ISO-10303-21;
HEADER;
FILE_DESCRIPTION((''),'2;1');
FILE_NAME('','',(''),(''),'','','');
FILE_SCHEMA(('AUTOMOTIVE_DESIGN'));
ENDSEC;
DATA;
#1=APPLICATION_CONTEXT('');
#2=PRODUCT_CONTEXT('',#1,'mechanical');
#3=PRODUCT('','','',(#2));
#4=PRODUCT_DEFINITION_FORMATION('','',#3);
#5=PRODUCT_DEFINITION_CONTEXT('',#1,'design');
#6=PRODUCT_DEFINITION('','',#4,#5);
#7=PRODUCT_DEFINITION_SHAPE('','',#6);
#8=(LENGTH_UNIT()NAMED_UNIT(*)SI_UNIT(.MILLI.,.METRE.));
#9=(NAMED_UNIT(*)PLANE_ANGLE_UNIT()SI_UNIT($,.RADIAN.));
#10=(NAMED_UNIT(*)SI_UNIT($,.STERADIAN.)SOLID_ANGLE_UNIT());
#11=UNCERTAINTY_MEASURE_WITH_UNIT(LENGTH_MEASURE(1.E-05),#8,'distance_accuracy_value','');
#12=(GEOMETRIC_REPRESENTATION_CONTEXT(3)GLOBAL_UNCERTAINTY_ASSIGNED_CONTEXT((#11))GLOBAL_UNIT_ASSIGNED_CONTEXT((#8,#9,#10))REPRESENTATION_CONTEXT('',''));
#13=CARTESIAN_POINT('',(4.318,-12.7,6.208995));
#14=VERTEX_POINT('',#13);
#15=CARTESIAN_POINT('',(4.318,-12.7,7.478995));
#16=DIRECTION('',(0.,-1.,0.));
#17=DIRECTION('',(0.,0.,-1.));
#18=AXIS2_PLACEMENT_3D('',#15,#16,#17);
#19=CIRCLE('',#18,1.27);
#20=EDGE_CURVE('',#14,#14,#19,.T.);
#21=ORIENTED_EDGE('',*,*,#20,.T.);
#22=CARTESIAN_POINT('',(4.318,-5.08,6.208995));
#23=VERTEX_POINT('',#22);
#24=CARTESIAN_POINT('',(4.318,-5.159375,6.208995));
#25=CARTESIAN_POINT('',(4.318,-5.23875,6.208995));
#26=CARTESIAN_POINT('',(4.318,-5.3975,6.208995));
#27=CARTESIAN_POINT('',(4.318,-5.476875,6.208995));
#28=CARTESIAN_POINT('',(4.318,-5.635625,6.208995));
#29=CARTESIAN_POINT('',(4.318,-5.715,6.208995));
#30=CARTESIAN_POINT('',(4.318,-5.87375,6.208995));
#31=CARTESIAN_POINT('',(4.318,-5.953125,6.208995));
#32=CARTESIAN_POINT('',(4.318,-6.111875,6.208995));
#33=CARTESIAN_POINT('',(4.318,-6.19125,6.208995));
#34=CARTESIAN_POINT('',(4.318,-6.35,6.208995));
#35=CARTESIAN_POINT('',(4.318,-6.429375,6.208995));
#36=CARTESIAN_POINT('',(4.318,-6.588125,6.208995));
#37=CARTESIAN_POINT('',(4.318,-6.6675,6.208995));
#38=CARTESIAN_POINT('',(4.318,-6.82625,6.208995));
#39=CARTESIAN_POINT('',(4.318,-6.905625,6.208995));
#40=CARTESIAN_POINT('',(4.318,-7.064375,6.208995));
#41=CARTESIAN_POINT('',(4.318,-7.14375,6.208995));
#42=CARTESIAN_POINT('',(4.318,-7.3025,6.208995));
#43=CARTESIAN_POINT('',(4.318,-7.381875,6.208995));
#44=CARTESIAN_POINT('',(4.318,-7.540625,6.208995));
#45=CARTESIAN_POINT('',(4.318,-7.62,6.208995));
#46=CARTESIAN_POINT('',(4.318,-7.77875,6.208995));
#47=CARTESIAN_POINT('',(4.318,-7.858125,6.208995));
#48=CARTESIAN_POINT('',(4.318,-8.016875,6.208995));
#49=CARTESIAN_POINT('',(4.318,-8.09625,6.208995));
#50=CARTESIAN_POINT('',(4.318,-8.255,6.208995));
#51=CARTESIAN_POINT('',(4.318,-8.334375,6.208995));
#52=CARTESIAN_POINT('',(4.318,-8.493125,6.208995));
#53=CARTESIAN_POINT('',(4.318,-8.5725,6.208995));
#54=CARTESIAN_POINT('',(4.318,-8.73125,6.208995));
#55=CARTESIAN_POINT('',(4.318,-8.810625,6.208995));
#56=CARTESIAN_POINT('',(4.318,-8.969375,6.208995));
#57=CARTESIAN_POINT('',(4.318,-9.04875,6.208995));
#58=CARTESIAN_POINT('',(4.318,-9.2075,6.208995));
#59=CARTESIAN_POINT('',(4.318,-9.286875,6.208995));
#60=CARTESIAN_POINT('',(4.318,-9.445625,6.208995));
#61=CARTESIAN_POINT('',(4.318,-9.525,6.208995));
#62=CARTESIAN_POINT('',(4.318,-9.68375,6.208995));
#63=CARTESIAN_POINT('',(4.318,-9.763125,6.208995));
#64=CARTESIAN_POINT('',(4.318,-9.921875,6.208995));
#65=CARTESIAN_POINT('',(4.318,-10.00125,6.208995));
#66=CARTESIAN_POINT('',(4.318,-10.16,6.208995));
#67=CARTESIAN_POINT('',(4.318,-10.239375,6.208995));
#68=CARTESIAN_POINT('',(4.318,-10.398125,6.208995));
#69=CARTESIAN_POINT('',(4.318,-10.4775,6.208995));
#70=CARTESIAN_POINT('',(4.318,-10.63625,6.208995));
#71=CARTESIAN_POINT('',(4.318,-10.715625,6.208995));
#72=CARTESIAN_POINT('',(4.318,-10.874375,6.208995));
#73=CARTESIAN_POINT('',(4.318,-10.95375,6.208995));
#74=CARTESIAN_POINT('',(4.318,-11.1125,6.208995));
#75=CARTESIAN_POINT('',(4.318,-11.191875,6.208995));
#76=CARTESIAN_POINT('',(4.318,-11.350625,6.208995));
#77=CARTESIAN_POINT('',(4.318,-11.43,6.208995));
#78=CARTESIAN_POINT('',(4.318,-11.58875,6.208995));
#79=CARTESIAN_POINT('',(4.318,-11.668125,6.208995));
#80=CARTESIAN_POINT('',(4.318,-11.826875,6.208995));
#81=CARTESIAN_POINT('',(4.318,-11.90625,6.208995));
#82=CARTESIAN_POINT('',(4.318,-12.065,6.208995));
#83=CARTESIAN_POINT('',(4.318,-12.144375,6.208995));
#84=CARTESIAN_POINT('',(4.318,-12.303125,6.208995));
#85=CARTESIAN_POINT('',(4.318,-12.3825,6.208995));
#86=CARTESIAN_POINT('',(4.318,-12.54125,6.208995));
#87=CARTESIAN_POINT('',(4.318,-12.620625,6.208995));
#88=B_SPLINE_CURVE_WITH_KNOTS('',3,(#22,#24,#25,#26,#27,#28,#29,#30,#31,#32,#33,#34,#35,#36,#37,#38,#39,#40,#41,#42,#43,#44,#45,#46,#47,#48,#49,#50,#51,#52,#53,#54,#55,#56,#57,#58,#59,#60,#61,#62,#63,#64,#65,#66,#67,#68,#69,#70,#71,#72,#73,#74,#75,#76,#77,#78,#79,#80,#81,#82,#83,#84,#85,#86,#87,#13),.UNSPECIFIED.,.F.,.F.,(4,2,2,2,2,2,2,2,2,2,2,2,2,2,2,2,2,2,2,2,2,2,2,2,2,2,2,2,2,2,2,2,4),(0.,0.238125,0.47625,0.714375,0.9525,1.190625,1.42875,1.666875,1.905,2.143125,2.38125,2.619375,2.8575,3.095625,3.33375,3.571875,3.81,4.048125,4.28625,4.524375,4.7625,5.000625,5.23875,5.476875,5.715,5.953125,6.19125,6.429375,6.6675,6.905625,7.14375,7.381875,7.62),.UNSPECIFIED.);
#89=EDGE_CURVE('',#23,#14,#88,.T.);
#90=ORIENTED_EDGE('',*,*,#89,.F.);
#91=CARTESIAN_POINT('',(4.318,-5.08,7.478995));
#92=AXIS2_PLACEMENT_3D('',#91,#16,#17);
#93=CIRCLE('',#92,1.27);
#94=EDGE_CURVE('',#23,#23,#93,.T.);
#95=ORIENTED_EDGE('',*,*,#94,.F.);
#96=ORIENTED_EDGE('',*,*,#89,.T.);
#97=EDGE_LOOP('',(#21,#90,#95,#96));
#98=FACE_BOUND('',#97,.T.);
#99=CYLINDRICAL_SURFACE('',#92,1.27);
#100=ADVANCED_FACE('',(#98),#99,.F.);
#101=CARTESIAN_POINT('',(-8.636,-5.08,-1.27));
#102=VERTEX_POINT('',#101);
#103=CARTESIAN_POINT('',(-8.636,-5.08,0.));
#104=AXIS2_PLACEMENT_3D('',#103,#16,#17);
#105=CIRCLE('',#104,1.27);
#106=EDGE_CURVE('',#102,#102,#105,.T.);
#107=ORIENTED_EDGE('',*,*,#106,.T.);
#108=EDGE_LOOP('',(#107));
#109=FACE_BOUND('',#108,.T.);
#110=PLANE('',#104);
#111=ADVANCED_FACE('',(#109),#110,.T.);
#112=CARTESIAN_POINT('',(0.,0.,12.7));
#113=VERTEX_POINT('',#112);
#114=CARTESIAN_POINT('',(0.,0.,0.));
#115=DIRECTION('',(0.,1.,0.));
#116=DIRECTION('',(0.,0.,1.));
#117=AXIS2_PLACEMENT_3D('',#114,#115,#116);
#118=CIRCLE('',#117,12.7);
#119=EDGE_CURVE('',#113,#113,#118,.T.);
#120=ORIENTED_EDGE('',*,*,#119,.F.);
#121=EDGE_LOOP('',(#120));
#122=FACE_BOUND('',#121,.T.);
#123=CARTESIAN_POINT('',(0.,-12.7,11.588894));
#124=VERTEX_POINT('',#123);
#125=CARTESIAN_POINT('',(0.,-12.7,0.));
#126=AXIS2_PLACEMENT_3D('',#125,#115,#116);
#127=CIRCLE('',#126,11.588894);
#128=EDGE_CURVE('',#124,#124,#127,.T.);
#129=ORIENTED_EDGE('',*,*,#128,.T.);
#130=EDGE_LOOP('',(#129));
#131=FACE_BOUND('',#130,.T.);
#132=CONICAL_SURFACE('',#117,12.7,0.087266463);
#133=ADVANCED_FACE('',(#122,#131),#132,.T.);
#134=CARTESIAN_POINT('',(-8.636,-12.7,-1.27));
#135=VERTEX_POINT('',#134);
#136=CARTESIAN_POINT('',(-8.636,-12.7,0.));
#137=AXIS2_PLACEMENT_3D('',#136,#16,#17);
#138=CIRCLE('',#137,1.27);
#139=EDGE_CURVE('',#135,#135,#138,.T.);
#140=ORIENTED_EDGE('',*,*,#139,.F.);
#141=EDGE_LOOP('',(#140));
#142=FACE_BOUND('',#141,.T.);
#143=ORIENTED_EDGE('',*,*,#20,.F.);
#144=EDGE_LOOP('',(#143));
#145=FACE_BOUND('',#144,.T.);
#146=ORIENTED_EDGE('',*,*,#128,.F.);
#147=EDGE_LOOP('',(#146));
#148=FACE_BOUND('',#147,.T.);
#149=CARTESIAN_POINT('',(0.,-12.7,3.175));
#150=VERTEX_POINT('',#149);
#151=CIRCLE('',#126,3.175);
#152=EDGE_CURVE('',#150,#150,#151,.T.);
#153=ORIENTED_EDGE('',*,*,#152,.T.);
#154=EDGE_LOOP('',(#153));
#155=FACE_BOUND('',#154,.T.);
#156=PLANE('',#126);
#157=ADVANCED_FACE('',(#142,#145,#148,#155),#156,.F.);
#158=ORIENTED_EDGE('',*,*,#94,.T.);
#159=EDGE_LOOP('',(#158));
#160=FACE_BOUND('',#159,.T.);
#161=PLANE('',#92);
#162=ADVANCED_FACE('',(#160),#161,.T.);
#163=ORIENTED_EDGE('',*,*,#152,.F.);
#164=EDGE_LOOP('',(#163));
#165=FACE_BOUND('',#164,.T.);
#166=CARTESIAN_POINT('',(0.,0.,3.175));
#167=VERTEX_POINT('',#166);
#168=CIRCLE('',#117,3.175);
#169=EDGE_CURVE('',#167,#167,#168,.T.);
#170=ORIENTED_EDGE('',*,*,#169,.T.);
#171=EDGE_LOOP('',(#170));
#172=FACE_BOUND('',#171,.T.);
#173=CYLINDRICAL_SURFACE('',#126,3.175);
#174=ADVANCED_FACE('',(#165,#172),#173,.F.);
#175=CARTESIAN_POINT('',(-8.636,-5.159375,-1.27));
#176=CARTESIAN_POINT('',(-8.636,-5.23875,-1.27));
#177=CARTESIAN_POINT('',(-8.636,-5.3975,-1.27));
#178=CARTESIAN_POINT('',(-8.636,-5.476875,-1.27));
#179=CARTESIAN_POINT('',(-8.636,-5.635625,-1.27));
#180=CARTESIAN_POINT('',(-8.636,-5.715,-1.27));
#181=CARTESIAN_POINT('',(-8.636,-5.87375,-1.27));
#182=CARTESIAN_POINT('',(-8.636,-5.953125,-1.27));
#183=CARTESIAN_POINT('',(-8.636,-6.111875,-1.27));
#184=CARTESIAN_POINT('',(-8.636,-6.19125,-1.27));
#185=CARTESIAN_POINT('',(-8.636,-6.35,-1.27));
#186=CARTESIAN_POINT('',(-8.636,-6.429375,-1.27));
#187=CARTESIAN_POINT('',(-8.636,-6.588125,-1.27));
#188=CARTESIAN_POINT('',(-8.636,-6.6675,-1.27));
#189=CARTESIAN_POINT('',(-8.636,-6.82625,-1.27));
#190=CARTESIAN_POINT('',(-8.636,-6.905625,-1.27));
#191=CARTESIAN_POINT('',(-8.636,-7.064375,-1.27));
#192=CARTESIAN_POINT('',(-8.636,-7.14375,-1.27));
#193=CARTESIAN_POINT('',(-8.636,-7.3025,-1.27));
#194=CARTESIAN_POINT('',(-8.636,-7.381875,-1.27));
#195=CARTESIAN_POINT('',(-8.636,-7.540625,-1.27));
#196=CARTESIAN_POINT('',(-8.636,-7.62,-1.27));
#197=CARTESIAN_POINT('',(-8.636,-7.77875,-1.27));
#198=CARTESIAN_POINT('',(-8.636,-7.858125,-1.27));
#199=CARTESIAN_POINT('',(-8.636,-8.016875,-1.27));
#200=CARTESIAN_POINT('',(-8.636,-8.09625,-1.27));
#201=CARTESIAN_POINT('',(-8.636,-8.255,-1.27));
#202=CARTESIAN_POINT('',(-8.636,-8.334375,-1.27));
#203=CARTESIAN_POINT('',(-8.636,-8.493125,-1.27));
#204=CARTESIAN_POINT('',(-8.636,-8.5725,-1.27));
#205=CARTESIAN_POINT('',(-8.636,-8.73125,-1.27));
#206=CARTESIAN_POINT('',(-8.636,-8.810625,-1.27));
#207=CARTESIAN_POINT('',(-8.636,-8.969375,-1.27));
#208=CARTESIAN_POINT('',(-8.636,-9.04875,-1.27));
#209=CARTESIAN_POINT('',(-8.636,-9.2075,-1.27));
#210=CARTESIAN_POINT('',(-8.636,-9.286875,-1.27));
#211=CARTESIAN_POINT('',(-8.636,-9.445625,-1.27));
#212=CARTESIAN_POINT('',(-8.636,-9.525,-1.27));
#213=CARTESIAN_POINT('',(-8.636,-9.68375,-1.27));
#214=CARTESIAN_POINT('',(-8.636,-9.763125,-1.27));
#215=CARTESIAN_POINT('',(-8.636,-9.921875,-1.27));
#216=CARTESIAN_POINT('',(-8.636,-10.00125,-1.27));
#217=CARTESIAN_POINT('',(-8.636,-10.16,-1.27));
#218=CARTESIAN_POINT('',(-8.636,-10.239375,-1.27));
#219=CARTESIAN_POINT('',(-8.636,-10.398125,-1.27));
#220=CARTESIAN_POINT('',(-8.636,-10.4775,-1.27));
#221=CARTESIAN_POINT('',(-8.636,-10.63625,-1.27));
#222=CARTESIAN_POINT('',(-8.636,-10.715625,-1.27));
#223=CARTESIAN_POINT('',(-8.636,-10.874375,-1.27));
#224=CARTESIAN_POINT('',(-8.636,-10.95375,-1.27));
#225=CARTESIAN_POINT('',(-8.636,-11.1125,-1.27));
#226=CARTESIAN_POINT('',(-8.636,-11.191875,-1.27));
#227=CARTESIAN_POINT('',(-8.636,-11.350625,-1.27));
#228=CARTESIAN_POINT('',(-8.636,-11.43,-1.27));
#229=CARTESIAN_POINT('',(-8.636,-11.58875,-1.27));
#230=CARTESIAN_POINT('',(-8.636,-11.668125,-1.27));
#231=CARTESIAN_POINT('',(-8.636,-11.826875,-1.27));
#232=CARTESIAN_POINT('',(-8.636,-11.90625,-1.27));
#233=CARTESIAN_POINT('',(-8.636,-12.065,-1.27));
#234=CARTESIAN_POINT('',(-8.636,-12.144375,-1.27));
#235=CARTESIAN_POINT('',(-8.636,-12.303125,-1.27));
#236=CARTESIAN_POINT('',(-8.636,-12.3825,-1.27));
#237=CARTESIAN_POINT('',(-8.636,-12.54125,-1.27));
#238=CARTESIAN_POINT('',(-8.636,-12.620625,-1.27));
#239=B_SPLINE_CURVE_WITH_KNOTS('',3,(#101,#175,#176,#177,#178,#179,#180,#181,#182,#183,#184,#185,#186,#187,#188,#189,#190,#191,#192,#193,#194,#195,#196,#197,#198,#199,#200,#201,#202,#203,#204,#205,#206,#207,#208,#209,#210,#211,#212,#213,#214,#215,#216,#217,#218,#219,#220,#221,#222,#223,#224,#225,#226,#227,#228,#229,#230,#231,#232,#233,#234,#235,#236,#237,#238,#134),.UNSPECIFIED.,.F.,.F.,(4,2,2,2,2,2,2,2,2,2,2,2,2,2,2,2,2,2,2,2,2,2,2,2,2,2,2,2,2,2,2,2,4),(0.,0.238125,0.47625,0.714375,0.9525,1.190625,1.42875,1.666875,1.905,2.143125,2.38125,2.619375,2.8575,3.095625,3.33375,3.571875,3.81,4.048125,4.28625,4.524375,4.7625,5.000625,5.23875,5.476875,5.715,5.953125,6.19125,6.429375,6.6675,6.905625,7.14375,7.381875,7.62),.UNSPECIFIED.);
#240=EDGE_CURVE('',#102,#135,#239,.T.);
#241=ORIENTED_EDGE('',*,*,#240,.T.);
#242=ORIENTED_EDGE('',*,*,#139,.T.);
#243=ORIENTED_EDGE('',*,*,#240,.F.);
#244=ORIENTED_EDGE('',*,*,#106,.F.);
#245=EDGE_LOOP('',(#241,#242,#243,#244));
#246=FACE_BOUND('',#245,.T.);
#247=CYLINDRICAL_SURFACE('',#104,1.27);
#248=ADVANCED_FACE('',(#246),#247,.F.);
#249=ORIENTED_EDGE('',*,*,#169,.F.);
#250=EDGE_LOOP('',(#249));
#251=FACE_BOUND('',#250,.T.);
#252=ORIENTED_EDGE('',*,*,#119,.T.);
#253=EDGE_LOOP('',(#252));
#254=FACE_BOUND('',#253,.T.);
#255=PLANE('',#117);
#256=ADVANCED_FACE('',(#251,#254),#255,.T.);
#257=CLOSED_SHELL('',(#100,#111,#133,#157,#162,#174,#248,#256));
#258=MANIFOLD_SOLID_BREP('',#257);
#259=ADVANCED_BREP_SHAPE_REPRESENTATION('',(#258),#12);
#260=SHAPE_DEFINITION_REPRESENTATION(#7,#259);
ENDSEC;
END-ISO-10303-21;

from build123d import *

# Parameters (mm, degrees)
SKETCH1_R           = 12.7
BOSS_EXTRUDE1_DEPTH = 12.7
BOSS_EXTRUDE1_DRAFT = -5
SKETCH2_R           = 3.175
CUT_EXTRUDE1_DEPTH  = 22.997045256
SKETCH7_R           = 1.27
CUT_EXTRUDE2_DEPTH  = 7.62


with BuildPart() as part:
    # Sketch1 → Boss-Extrude1 (with draft: the straight prism first)
    with BuildSketch(Plane(origin=(0, 0, 0), x_dir=(1, 0, 0), z_dir=(0, 1, 0))):
        Circle(SKETCH1_R)
    extrude(amount=-BOSS_EXTRUDE1_DEPTH)
    # Boss-Extrude1: the draft: its side faces are tilted about the plane it starts from
    boss_extrude1_sides = [part.faces().sort_by_distance(p)[0] for p in [
        (-12.7, -6.35, 0),
    ]]
    draft(boss_extrude1_sides, Plane(origin=(0, 0, 0), x_dir=(1, 0, 0), z_dir=(0, 1, 0)), BOSS_EXTRUDE1_DRAFT)

    # Sketch2 → Cut-Extrude1 (cut, through all)
    with BuildSketch(Plane(origin=(0, 0, 0), x_dir=(1, 0, 0), z_dir=(0, 1, 0))):
        with Locations(Location((0, 0, 0), (0, 0, 270))):
            Circle(SKETCH2_R)
    extrude(amount=-CUT_EXTRUDE1_DEPTH, mode=Mode.SUBTRACT)

    # Sketch7 → Cut-Extrude2 (cut)
    with BuildSketch(Plane.XZ.offset(12.7)):
        with Locations(Location((-8.636, 0, 0), (0, 0, 270))):
            Circle(SKETCH7_R)
        with Locations(Location((4.318, 7.478995387, 0), (0, 0, 270))):
            Circle(SKETCH7_R)
    extrude(amount=-CUT_EXTRUDE2_DEPTH, mode=Mode.SUBTRACT)


solid = part.part
